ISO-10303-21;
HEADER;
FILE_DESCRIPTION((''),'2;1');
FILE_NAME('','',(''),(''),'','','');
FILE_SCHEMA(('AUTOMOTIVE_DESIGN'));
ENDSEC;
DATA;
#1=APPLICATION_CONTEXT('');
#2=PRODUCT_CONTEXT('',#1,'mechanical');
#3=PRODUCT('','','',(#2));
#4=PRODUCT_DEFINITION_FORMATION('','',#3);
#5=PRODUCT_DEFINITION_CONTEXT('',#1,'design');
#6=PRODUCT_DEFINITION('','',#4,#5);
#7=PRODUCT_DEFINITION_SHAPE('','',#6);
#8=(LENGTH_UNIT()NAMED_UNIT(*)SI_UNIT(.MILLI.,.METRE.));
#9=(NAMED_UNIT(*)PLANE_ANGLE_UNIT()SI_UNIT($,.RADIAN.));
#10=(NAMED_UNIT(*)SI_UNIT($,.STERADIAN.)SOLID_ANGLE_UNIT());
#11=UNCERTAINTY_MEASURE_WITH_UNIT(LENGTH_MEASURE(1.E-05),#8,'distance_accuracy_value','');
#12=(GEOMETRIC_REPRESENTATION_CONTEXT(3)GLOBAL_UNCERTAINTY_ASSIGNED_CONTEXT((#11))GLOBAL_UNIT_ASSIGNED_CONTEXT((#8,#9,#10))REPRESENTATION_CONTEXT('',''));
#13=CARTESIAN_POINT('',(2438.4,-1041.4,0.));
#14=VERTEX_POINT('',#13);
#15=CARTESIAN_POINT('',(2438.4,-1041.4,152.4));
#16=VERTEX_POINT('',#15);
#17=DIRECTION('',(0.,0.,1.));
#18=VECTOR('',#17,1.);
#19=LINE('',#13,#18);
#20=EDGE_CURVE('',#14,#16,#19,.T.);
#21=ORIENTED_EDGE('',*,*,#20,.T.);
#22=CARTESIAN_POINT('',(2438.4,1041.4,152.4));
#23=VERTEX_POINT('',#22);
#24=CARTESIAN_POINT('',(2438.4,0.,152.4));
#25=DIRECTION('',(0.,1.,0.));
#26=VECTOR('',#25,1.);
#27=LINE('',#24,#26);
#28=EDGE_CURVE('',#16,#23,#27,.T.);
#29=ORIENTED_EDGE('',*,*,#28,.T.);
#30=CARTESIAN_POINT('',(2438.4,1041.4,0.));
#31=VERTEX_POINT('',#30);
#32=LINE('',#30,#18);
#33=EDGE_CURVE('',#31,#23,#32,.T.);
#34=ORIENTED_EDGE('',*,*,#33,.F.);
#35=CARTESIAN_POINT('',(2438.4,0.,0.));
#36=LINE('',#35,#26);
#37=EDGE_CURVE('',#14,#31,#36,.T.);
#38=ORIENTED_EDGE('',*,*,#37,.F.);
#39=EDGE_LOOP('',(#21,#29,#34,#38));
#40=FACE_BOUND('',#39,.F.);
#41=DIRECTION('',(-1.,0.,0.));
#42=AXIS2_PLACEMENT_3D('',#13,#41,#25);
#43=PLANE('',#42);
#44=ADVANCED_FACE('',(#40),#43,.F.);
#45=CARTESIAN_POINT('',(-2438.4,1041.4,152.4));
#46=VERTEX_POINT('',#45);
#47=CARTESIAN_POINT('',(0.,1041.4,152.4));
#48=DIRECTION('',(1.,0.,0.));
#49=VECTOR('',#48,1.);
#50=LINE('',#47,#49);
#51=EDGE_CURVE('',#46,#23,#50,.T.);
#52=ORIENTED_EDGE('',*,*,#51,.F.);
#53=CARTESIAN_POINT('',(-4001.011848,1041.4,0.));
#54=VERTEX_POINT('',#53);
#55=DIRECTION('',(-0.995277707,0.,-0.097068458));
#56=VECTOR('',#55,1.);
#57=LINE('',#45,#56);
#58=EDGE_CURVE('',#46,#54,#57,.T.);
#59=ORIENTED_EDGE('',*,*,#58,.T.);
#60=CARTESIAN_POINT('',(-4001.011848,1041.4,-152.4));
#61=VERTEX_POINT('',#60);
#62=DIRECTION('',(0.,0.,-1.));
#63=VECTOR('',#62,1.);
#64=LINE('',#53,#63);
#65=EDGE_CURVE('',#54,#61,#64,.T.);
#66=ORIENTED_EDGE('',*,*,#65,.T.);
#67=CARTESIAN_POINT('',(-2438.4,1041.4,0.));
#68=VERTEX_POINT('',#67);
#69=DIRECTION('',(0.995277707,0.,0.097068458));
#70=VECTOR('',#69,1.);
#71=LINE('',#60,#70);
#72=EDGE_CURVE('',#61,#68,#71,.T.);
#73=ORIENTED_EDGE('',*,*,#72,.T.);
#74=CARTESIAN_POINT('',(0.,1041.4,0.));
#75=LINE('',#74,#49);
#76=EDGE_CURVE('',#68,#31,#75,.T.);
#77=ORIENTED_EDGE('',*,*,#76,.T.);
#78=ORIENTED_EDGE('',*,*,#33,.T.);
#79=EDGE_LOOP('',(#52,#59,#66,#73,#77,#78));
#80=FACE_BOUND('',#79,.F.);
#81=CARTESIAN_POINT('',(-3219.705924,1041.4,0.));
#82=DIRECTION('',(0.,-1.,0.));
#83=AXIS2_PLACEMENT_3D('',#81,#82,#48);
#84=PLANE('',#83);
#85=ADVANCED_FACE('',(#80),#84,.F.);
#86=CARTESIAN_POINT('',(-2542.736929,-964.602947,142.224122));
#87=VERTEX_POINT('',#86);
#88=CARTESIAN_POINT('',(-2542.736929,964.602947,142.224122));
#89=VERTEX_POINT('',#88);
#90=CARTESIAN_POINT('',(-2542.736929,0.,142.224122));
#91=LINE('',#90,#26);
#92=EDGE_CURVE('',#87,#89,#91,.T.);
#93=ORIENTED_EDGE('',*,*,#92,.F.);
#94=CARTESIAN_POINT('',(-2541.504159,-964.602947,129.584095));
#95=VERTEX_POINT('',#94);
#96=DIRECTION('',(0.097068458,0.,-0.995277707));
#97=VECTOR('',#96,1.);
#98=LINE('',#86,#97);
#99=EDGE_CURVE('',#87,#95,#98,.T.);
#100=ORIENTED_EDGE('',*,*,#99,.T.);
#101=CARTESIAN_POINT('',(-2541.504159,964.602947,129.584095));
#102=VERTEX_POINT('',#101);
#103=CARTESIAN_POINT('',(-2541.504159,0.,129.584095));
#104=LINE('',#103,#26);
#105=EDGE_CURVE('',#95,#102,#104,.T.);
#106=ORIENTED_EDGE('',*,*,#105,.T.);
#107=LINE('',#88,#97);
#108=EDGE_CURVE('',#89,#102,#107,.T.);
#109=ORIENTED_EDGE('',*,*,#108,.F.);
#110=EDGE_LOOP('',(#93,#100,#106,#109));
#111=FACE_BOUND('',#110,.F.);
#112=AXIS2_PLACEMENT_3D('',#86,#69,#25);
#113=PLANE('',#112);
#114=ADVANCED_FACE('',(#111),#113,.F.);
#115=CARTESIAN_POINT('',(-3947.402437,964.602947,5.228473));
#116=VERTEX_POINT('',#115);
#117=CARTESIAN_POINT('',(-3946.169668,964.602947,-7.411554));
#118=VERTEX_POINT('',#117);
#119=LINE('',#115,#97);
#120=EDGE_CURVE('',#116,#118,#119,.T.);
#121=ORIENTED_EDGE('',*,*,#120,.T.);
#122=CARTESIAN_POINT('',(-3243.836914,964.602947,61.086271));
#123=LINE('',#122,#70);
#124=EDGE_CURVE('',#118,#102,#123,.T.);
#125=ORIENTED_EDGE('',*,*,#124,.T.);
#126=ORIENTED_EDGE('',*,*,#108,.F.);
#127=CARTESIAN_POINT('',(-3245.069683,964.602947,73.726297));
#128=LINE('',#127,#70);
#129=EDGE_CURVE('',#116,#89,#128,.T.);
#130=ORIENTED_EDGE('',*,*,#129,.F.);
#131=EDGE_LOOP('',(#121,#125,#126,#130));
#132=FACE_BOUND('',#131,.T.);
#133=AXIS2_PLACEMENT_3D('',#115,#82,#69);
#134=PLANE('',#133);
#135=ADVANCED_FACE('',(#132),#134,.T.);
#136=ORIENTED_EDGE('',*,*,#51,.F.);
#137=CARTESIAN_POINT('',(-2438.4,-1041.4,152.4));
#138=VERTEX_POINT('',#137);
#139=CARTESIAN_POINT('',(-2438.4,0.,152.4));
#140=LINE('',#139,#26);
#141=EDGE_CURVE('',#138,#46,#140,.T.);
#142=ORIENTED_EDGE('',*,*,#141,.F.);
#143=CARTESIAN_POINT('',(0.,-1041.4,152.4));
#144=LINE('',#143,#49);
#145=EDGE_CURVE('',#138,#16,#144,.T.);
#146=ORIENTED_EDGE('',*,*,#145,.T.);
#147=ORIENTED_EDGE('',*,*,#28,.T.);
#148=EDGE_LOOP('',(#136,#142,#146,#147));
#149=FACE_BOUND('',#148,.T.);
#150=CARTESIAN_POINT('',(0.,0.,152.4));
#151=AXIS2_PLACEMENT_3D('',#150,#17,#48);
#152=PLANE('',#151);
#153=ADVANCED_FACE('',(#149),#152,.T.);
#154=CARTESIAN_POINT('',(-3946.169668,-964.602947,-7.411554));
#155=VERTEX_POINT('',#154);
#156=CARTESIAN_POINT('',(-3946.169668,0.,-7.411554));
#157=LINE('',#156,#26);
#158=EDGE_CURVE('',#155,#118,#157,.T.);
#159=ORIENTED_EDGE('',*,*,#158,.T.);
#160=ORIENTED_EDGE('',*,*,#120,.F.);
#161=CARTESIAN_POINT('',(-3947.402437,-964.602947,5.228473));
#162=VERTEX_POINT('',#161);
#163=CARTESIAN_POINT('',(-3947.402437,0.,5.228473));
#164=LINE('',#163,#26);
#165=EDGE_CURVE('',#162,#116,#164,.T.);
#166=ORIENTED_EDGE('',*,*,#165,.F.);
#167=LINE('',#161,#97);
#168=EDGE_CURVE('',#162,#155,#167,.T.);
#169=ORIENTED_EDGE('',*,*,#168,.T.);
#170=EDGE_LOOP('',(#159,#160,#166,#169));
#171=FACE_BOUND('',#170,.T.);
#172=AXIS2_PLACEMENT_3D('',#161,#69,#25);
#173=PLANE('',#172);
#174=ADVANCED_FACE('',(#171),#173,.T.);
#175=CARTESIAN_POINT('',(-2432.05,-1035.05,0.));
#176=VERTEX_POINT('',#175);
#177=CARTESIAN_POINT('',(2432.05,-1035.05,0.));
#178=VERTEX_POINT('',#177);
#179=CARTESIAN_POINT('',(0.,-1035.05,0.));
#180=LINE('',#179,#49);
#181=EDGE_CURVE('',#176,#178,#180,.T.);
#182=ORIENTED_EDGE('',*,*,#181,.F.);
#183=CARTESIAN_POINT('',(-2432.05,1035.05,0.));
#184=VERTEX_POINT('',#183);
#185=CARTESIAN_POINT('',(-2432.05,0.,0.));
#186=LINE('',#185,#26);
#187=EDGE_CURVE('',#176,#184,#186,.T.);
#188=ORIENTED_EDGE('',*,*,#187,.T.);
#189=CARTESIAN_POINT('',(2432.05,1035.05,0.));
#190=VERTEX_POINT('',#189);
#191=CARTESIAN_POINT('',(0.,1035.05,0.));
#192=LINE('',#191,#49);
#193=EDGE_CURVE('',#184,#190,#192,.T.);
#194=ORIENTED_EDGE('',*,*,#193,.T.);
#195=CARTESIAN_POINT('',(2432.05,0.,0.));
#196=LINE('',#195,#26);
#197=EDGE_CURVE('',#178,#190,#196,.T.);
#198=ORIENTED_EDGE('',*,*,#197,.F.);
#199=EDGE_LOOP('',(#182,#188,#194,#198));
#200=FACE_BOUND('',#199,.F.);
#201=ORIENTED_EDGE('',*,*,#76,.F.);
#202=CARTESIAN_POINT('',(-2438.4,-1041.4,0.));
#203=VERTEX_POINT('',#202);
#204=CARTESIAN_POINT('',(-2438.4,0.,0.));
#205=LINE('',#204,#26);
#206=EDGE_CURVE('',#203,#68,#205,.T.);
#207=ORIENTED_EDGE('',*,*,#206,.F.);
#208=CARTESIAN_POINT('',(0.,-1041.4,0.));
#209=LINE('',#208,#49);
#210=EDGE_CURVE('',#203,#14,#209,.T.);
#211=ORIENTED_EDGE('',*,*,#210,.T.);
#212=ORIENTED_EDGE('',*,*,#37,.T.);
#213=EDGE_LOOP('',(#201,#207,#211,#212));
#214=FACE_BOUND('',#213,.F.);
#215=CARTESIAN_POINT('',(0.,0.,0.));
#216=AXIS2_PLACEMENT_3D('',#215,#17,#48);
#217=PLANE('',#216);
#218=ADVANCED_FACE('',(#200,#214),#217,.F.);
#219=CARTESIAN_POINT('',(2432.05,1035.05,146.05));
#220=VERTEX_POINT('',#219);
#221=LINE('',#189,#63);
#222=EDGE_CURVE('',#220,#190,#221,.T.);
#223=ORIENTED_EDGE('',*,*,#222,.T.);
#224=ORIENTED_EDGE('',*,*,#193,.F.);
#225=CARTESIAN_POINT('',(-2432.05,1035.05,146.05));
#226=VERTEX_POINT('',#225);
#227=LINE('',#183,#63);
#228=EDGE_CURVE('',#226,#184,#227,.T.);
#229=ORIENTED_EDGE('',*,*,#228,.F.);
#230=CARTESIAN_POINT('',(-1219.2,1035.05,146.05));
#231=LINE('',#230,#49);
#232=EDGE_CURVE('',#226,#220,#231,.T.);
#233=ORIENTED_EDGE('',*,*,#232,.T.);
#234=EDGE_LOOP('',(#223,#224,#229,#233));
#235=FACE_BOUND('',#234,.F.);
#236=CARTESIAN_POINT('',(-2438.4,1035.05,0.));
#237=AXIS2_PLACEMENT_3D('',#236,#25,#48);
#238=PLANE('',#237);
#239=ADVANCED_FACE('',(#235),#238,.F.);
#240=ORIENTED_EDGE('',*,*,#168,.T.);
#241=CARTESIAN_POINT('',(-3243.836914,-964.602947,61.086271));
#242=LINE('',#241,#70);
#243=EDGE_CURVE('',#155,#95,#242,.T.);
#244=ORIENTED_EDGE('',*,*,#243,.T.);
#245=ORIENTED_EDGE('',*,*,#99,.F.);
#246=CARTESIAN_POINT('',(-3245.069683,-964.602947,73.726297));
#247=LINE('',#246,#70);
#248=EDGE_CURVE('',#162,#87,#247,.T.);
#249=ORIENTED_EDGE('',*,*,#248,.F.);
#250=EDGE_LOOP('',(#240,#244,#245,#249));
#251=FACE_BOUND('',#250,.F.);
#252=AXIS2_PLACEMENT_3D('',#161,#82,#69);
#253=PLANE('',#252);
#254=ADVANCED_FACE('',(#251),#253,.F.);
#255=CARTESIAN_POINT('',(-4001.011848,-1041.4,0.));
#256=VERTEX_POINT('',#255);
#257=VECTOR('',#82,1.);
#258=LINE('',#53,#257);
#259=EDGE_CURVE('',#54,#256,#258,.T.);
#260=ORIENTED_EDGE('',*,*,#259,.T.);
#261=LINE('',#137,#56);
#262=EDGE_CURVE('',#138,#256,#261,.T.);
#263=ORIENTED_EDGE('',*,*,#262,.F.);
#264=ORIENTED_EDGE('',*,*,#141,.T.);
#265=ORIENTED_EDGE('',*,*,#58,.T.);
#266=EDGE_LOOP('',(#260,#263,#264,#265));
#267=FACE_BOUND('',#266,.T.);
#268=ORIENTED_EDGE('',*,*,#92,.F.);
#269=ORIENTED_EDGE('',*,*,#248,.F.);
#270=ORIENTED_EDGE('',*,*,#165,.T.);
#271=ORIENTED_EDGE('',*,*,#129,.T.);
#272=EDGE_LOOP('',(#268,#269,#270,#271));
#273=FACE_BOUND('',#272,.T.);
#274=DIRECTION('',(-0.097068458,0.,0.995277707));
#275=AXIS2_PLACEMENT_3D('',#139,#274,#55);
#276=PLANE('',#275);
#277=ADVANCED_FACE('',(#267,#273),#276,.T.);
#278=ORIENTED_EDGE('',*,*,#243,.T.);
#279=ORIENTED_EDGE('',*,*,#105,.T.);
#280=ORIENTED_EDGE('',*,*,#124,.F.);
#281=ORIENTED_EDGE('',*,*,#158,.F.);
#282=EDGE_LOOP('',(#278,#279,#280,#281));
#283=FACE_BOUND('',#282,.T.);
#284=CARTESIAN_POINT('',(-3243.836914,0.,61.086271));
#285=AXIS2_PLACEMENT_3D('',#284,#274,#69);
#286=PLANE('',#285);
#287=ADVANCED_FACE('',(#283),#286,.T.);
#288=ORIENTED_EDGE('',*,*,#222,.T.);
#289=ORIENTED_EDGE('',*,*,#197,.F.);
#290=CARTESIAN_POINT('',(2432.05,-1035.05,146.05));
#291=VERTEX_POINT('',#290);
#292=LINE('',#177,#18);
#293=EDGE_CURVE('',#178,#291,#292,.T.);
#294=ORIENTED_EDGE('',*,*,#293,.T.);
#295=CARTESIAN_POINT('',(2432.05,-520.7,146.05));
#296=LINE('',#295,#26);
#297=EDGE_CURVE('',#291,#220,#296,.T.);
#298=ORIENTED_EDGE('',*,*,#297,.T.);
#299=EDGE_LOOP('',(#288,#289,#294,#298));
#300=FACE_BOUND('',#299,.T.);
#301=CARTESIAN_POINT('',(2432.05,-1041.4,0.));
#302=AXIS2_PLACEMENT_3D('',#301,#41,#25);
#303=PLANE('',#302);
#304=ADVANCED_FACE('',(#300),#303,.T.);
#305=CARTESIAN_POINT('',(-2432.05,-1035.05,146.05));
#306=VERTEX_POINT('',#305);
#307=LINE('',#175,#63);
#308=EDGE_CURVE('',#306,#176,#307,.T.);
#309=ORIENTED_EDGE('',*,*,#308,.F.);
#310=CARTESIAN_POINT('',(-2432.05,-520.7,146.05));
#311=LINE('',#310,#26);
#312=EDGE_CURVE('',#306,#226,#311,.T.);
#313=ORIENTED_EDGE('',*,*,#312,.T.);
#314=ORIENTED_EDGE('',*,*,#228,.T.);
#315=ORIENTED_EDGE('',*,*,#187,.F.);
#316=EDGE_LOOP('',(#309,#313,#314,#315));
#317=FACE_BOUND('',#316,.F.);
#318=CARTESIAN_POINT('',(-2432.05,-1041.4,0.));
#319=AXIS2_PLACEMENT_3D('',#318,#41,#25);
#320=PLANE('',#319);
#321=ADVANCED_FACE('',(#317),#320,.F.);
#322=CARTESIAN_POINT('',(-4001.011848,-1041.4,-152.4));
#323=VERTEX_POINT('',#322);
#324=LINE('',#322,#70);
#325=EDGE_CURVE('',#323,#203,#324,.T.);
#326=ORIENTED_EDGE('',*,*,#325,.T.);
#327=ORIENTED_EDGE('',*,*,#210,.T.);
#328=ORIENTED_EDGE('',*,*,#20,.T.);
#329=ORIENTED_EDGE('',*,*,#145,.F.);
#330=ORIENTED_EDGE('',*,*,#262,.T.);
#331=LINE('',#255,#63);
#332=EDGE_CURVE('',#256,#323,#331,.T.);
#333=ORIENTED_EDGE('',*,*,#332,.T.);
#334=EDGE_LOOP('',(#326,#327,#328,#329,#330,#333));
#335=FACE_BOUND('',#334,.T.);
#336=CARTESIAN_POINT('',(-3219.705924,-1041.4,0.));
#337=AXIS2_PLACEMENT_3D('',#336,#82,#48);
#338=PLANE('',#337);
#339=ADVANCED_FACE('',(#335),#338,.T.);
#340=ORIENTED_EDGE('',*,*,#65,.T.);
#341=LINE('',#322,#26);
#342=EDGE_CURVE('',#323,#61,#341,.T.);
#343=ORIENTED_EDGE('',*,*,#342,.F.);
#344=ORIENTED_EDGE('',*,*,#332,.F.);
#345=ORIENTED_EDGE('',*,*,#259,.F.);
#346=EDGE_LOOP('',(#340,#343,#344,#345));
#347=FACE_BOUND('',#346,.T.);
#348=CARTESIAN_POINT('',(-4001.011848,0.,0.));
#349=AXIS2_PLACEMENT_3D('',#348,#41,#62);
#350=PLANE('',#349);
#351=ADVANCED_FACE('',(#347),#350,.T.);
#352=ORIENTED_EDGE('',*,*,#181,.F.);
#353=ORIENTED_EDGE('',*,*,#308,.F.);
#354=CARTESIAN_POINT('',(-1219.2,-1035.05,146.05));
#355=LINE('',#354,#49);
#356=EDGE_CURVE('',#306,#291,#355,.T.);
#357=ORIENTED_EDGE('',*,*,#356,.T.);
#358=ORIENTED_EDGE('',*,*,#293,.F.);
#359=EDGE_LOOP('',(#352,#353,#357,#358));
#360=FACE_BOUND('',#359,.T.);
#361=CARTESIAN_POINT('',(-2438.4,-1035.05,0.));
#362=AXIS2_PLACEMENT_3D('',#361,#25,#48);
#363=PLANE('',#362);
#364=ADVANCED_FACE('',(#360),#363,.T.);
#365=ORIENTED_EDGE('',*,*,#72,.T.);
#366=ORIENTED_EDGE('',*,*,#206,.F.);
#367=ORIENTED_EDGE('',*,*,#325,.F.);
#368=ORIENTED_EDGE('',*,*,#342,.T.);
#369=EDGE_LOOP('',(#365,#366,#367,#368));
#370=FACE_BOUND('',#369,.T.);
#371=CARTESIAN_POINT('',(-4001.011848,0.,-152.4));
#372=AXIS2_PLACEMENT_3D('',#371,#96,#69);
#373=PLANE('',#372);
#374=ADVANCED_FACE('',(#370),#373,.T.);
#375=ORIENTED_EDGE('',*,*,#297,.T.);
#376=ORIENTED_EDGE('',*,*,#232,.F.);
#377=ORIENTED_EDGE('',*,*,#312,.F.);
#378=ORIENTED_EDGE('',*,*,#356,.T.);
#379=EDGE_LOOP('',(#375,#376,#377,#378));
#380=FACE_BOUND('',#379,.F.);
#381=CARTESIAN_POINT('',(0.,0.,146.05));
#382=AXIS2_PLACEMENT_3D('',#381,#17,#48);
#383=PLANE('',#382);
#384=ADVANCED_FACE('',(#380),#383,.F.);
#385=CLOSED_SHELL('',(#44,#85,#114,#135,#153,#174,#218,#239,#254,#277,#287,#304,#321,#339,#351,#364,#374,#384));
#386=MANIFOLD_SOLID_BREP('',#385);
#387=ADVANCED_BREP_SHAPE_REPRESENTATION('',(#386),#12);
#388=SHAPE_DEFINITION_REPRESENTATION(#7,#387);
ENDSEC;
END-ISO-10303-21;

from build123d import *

# Parameters (mm, degrees)
F0_W     = 4876.8
F0_H     = 2082.8
F1_DEPTH = 152.4
F2_T     = -6.35
F4_DEPTH = 1041.4
F5_W     = 1411.3302230835
F5_H     = 1929.2058944702
F6_DEPTH = 12.7


with BuildPart() as f1:
    # F0 (on Top) → F1 (new body)
    with BuildSketch(Plane.XY):
        Rectangle(F0_W, F0_H)
    extrude(amount=F1_DEPTH)

    # F2
    f2_openings = [f1.faces().sort_by_distance(p)[0] for p in [
        (0, 0, 0),
    ]]
    offset(amount=F2_T, openings=f2_openings)

    # F3 (on Front) → F4 (join, symmetric)
    with BuildSketch(Plane.XZ):
        Polygon((-2438.4, 0), (-2438.4, 152.4), (-4001.0118484497, 0), (-4001.0118484497, -152.4), align=None)
    extrude(amount=F4_DEPTH, both=True)

    # F5 (on face) → F6 (cut)
    with BuildSketch(Plane(origin=(-37.6986760774, 0, 386.5380440247), x_dir=(0.9952777072, 0, 0.097068458), z_dir=(-0.097068458, 0, 0.9952777072))):
        with Locations((-3222.5890159607, 0)):
            Rectangle(F5_W, F5_H)
    extrude(amount=-F6_DEPTH, mode=Mode.SUBTRACT)


solid = f1.part
